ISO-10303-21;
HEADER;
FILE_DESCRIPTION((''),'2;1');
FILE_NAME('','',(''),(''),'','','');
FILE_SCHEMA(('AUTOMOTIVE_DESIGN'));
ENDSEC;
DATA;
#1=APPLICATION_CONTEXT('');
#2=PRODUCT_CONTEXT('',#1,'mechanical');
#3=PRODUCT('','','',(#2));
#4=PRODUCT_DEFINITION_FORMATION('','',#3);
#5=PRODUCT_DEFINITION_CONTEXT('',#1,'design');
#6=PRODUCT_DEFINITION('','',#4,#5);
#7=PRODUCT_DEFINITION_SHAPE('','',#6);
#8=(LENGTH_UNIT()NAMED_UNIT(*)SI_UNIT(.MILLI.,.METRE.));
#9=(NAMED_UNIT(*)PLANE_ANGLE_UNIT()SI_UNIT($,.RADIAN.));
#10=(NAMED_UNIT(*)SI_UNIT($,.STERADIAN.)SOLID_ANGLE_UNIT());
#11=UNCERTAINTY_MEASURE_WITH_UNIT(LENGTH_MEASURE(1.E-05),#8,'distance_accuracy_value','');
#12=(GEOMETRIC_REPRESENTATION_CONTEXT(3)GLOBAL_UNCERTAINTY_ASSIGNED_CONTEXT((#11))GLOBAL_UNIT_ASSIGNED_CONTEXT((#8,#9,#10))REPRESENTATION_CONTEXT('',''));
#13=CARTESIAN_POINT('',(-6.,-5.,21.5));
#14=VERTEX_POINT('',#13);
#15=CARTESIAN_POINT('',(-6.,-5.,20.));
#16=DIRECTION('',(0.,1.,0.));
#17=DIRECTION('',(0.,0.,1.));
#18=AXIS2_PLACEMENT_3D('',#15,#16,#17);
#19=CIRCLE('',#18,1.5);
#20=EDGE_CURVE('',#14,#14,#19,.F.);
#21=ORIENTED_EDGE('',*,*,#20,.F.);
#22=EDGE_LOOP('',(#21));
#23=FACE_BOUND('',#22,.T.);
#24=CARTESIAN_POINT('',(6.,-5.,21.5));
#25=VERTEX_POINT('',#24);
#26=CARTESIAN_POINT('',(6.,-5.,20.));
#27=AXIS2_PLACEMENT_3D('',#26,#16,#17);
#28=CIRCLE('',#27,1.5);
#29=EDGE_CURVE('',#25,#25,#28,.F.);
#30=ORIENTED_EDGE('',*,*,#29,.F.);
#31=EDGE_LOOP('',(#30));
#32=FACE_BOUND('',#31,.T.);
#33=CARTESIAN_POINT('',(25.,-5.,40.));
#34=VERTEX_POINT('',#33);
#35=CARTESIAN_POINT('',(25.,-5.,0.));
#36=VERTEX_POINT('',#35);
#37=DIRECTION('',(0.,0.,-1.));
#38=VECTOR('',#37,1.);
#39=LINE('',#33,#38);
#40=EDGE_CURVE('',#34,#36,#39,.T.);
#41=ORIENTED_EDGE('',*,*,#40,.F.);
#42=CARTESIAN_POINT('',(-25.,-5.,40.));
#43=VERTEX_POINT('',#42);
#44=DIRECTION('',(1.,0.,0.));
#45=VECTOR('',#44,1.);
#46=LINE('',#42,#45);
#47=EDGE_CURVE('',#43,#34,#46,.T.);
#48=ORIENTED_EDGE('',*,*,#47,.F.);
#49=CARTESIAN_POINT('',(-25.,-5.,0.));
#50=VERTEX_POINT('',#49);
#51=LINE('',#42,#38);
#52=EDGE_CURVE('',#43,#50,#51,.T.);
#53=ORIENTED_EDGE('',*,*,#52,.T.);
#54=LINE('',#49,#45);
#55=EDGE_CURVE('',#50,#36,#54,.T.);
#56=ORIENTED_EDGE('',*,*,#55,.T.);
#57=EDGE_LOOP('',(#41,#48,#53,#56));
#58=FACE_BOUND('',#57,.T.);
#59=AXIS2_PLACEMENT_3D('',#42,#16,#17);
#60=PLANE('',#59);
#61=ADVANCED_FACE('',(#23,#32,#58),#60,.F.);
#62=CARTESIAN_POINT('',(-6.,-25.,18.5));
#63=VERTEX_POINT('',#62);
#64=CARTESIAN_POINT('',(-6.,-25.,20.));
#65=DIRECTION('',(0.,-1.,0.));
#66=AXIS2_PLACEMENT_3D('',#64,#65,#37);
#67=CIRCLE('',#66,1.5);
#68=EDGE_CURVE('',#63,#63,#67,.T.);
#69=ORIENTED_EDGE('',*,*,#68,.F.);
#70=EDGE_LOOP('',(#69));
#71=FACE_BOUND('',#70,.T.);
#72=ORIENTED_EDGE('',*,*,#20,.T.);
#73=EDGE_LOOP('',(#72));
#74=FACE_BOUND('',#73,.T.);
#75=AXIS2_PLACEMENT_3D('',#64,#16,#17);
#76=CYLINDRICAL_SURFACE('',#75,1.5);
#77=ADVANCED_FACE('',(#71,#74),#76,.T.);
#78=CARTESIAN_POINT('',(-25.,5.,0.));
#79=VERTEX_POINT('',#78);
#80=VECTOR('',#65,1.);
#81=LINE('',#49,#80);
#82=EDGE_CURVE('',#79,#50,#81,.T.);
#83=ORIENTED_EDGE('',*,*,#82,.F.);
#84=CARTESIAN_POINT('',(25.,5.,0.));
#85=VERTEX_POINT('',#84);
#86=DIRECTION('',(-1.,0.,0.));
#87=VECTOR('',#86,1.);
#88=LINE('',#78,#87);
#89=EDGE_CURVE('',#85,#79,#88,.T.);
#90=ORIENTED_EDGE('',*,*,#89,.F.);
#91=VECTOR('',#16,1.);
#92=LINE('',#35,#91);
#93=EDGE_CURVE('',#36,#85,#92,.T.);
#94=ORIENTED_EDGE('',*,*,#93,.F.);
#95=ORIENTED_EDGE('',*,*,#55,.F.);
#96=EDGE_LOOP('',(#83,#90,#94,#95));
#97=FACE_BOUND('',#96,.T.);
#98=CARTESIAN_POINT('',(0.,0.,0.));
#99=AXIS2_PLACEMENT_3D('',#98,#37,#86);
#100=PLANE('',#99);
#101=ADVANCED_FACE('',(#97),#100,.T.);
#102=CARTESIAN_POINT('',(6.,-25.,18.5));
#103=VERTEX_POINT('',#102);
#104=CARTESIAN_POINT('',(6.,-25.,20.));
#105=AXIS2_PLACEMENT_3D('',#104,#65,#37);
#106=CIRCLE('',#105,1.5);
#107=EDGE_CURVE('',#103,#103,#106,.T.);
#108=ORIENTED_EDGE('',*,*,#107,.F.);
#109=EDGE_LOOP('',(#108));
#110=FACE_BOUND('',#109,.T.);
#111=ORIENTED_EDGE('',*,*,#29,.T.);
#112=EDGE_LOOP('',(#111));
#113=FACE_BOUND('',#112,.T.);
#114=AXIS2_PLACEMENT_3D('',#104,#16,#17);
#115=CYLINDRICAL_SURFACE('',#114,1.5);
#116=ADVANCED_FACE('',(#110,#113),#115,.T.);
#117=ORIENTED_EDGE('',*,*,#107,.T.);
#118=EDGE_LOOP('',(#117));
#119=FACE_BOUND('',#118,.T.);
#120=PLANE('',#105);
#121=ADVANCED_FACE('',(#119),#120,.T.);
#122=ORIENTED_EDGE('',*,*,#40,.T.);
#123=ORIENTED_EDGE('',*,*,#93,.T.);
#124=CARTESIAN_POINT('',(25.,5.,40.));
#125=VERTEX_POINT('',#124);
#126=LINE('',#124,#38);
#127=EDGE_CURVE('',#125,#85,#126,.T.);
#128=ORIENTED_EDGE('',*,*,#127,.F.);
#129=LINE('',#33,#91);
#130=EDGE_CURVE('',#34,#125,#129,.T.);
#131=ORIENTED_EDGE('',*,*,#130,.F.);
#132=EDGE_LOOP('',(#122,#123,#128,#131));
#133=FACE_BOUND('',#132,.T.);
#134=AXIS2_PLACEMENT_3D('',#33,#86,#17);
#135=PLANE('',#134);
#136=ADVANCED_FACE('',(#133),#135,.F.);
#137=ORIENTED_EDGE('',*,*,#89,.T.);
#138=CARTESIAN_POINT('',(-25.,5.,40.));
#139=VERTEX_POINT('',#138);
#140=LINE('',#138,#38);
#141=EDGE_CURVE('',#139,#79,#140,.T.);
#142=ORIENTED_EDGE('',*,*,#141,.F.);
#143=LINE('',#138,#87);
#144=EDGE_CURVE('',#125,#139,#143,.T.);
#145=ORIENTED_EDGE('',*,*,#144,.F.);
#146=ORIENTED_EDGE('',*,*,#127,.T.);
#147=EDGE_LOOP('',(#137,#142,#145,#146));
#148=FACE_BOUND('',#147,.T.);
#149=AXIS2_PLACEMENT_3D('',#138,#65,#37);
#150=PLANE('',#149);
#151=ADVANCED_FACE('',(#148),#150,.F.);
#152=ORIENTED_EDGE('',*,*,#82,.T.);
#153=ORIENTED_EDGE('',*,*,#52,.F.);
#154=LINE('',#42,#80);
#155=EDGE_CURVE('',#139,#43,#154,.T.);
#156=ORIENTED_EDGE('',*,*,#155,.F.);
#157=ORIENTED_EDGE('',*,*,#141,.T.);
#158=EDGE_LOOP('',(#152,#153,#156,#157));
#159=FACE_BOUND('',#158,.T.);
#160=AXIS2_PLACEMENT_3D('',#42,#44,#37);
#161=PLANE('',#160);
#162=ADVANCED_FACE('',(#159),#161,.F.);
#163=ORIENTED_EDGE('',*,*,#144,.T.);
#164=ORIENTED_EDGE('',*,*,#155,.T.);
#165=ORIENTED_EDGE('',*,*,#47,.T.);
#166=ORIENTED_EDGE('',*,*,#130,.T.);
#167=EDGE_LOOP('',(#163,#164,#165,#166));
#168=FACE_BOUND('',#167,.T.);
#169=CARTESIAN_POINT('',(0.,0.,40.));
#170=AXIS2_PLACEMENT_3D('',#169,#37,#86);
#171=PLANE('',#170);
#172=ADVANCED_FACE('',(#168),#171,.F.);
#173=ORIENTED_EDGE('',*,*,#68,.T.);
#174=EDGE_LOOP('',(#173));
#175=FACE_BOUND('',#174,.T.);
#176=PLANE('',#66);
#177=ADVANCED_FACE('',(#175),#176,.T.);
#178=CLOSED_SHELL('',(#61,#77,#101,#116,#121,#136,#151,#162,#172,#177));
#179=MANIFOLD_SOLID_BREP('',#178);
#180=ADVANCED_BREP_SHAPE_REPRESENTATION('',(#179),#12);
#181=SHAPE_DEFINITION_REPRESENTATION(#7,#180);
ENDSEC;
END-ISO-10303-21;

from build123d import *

# Parameters (mm, degrees)
SZKIC1_W                    = 50
SZKIC1_H                    = 10
DODANIE_WYCI_GNI_CIE1_DEPTH = 40
SZKIC2_R                    = 1.5
DODANIE_WYCI_GNI_CIE2_DEPTH = 20


with BuildPart() as part:
    # Szkic1 → Dodanie-wyciągnięcie1 (new body)
    with BuildSketch(Plane.XY):
        Rectangle(SZKIC1_W, SZKIC1_H)
    extrude(amount=DODANIE_WYCI_GNI_CIE1_DEPTH)

    # Szkic2 → Dodanie-wyciągnięcie2 (add)
    with BuildSketch(Plane.XZ.offset(5)):
        with Locations(Location((-6, 20, 0), (0, 0, 90))):
            Circle(SZKIC2_R)
        with Locations(Location((6, 20, 0), (0, 0, 90))):
            Circle(SZKIC2_R)
    extrude(amount=DODANIE_WYCI_GNI_CIE2_DEPTH)


solid = part.part
